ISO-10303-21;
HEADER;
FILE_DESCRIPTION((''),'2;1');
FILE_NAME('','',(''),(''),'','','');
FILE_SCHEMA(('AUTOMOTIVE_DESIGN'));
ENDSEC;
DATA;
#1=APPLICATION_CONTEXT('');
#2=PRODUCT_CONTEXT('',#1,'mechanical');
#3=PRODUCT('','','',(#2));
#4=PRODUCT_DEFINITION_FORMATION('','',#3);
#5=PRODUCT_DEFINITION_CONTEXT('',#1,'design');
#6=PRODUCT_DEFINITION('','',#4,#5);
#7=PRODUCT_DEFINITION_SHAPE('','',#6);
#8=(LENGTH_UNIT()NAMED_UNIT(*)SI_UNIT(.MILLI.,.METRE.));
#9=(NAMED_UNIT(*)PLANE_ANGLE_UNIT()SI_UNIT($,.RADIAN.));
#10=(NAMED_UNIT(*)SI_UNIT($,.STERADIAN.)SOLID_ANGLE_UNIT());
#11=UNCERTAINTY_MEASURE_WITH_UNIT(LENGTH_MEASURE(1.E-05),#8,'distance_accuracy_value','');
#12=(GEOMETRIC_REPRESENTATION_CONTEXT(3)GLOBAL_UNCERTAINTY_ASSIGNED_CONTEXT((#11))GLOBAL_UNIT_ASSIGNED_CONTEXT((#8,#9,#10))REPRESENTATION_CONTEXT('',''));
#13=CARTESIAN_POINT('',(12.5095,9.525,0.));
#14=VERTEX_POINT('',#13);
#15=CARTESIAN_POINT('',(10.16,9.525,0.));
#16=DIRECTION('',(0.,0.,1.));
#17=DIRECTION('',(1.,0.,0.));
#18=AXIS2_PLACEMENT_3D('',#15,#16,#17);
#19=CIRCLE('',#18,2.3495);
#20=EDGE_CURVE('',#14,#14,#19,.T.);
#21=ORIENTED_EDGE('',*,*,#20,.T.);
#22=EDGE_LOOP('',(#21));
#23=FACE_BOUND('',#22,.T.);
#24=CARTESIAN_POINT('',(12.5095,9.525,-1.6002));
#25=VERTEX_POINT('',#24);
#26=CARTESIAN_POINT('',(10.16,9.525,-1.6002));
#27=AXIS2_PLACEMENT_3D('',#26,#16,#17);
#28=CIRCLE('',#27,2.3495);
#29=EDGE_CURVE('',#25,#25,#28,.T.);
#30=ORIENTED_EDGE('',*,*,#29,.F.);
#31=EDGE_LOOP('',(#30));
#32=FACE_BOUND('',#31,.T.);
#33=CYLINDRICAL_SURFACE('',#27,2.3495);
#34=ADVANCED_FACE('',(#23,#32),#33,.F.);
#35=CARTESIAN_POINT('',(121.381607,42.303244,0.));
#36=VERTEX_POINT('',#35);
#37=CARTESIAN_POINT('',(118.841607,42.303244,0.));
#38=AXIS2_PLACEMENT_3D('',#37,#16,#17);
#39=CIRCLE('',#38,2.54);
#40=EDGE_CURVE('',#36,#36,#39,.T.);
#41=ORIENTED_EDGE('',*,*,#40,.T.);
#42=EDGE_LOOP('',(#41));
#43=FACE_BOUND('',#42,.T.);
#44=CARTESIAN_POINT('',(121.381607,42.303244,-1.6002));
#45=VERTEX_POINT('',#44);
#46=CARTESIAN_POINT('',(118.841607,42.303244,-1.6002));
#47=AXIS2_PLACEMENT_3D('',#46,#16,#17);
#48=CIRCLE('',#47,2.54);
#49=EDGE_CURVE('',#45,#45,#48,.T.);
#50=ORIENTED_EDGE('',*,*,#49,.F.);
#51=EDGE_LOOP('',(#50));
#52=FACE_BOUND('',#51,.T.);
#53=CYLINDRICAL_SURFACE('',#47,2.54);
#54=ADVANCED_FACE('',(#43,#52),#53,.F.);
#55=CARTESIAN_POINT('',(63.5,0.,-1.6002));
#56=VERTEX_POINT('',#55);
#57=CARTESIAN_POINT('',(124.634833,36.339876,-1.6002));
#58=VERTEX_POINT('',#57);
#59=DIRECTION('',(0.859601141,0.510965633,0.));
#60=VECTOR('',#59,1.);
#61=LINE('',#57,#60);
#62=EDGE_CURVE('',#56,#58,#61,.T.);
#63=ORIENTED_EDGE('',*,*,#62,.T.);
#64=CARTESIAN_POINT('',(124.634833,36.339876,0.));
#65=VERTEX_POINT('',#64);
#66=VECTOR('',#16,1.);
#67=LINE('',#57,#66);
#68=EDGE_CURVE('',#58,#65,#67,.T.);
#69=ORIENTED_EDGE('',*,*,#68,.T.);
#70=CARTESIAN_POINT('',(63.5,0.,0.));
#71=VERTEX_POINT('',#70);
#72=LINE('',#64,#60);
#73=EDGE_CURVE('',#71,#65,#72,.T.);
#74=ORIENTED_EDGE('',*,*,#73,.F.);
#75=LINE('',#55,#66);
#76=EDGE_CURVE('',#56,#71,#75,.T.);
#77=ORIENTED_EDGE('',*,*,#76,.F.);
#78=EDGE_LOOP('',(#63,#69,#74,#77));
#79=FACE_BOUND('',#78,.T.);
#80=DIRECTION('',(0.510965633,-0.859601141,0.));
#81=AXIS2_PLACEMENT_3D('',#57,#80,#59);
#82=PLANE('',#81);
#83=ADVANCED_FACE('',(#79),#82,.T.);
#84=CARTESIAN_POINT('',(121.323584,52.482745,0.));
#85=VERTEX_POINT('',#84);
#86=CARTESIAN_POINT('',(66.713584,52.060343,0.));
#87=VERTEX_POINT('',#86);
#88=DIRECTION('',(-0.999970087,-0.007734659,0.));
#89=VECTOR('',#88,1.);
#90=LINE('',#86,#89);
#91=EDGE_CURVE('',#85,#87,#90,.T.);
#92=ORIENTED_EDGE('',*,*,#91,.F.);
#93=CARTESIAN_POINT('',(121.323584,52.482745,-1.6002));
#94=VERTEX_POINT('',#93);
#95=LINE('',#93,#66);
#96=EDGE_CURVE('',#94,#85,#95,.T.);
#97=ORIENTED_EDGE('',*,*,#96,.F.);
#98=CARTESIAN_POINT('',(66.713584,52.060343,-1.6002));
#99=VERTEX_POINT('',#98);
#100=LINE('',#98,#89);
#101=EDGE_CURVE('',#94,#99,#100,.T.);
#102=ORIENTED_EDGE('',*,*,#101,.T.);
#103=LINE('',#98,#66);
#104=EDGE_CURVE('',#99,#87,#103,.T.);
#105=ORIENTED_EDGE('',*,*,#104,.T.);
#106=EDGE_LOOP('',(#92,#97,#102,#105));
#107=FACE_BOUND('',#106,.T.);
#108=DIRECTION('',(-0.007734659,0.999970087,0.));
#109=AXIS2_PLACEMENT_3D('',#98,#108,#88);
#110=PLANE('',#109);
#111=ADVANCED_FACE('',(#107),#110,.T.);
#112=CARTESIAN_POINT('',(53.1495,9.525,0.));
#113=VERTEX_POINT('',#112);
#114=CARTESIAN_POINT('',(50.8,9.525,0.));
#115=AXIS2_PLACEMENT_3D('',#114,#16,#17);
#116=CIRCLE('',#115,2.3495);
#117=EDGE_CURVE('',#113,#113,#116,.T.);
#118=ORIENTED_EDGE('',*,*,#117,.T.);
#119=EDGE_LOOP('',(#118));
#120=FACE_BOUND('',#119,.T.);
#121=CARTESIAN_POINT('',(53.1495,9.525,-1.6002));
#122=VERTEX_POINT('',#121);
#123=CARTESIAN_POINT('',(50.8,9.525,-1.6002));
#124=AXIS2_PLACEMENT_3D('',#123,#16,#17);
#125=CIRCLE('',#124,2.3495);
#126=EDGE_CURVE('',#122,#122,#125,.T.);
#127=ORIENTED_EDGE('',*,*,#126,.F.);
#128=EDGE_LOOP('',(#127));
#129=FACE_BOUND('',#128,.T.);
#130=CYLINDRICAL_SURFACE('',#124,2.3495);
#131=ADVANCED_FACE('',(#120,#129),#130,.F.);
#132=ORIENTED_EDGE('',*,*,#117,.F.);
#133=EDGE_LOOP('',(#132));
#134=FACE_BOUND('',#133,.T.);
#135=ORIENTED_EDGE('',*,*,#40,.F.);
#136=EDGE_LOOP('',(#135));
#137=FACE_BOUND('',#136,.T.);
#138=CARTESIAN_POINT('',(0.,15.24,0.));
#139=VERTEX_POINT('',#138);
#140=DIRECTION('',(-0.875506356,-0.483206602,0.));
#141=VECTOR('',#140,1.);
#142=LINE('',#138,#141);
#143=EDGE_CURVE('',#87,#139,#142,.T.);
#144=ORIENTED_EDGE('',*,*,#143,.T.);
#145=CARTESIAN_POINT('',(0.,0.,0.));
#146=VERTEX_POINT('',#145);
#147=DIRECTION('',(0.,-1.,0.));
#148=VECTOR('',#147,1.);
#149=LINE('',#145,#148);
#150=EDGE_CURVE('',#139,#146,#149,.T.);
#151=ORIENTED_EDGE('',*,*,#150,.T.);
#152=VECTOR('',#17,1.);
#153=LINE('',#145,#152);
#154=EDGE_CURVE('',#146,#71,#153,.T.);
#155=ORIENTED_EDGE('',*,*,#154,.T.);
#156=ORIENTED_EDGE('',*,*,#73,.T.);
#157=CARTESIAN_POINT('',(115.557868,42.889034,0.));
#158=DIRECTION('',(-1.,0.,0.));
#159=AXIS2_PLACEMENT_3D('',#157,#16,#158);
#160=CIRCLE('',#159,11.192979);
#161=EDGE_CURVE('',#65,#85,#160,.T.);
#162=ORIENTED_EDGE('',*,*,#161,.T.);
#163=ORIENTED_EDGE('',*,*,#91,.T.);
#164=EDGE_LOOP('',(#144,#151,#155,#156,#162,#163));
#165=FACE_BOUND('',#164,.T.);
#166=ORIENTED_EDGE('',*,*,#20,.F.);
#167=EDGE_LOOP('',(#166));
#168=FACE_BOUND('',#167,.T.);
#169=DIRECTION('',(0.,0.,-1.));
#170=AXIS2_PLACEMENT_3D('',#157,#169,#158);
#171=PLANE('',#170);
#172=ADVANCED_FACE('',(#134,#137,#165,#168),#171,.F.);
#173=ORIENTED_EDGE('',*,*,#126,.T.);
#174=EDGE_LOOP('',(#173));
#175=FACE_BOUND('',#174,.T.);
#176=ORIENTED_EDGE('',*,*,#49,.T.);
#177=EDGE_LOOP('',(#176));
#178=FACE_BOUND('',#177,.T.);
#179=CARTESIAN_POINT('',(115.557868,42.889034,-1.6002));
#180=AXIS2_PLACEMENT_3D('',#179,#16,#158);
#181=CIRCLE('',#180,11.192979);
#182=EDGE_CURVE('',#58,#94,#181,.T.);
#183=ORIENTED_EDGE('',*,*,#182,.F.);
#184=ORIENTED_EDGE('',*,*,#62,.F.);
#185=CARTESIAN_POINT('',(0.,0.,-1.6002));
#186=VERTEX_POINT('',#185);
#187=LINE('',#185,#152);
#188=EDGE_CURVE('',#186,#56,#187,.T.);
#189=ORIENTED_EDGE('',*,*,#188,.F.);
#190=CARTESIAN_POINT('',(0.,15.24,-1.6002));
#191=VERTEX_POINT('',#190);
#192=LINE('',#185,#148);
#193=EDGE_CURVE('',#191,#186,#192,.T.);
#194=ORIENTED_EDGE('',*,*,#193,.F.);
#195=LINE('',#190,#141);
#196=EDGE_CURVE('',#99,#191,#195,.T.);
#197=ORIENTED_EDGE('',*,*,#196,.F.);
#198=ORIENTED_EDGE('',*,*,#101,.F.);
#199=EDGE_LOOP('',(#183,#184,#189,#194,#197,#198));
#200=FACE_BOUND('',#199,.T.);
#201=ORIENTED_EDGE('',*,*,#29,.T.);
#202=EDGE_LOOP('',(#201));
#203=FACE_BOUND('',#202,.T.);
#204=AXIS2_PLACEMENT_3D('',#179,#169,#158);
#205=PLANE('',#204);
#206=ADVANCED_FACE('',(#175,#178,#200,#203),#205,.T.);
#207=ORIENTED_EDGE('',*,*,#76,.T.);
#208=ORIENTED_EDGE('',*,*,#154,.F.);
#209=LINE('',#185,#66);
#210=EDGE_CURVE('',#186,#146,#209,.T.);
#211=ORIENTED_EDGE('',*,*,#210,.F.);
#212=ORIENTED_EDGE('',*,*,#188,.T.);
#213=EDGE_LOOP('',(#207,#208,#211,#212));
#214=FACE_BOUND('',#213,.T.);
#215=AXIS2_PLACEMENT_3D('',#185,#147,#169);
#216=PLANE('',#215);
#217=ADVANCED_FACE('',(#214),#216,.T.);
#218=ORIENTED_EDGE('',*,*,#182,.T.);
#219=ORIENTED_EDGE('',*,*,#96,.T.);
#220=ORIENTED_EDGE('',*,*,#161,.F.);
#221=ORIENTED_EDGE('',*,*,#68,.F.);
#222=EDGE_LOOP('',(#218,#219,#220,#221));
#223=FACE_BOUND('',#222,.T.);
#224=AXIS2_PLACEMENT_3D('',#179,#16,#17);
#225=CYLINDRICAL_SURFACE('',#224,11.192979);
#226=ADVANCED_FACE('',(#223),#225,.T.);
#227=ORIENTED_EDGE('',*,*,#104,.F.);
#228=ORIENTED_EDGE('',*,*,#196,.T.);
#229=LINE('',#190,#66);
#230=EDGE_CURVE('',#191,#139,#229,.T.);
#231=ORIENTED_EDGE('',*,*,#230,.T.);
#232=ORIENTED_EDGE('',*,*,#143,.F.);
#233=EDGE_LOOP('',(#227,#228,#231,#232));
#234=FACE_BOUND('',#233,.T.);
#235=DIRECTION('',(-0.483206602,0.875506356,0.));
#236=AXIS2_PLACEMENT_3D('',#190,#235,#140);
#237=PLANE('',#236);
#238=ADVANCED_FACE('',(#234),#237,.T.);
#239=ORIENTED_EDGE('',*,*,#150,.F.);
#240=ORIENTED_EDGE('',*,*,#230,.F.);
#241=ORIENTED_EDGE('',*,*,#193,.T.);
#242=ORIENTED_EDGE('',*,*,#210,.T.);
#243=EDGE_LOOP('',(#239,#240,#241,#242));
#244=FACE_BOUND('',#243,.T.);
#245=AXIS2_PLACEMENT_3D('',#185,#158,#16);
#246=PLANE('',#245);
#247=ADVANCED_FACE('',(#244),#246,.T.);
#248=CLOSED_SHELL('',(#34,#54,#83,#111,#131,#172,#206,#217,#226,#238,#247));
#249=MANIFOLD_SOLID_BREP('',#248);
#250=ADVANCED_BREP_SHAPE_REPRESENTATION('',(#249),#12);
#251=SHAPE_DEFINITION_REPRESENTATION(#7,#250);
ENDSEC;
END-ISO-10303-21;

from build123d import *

# Parameters (mm, degrees)
SKETCH1_R           = 2.3495
SKETCH1_R_2         = 2.54
BOSS_EXTRUDE1_DEPTH = 1.6002


with BuildPart() as part:
    # Sketch1 → Boss-Extrude1 (new body)
    with BuildSketch(Plane.XY):
        with BuildLine():
            Line((0, 0), (0, 15.24))
            Line((0, 15.24), (66.713584346, 52.060343069))
            Line((66.713584346, 52.060343069), (121.323584346, 52.482745441))
            ThreePointArc((121.323584346, 52.482745441), (126.52255489, 45.138126941), (124.63483314, 36.339875852))
            Line((124.63483314, 36.339875852), (63.5, 0))
            Line((63.5, 0), (0, 0))
        make_face()
        with Locations((10.16, 9.525)):
            Circle(SKETCH1_R, mode=Mode.SUBTRACT)
        with Locations((50.8, 9.525)):
            Circle(SKETCH1_R, mode=Mode.SUBTRACT)
        with Locations((118.841606936, 42.303243693)):
            Circle(SKETCH1_R_2, mode=Mode.SUBTRACT)
    extrude(amount=-BOSS_EXTRUDE1_DEPTH)


solid = part.part
